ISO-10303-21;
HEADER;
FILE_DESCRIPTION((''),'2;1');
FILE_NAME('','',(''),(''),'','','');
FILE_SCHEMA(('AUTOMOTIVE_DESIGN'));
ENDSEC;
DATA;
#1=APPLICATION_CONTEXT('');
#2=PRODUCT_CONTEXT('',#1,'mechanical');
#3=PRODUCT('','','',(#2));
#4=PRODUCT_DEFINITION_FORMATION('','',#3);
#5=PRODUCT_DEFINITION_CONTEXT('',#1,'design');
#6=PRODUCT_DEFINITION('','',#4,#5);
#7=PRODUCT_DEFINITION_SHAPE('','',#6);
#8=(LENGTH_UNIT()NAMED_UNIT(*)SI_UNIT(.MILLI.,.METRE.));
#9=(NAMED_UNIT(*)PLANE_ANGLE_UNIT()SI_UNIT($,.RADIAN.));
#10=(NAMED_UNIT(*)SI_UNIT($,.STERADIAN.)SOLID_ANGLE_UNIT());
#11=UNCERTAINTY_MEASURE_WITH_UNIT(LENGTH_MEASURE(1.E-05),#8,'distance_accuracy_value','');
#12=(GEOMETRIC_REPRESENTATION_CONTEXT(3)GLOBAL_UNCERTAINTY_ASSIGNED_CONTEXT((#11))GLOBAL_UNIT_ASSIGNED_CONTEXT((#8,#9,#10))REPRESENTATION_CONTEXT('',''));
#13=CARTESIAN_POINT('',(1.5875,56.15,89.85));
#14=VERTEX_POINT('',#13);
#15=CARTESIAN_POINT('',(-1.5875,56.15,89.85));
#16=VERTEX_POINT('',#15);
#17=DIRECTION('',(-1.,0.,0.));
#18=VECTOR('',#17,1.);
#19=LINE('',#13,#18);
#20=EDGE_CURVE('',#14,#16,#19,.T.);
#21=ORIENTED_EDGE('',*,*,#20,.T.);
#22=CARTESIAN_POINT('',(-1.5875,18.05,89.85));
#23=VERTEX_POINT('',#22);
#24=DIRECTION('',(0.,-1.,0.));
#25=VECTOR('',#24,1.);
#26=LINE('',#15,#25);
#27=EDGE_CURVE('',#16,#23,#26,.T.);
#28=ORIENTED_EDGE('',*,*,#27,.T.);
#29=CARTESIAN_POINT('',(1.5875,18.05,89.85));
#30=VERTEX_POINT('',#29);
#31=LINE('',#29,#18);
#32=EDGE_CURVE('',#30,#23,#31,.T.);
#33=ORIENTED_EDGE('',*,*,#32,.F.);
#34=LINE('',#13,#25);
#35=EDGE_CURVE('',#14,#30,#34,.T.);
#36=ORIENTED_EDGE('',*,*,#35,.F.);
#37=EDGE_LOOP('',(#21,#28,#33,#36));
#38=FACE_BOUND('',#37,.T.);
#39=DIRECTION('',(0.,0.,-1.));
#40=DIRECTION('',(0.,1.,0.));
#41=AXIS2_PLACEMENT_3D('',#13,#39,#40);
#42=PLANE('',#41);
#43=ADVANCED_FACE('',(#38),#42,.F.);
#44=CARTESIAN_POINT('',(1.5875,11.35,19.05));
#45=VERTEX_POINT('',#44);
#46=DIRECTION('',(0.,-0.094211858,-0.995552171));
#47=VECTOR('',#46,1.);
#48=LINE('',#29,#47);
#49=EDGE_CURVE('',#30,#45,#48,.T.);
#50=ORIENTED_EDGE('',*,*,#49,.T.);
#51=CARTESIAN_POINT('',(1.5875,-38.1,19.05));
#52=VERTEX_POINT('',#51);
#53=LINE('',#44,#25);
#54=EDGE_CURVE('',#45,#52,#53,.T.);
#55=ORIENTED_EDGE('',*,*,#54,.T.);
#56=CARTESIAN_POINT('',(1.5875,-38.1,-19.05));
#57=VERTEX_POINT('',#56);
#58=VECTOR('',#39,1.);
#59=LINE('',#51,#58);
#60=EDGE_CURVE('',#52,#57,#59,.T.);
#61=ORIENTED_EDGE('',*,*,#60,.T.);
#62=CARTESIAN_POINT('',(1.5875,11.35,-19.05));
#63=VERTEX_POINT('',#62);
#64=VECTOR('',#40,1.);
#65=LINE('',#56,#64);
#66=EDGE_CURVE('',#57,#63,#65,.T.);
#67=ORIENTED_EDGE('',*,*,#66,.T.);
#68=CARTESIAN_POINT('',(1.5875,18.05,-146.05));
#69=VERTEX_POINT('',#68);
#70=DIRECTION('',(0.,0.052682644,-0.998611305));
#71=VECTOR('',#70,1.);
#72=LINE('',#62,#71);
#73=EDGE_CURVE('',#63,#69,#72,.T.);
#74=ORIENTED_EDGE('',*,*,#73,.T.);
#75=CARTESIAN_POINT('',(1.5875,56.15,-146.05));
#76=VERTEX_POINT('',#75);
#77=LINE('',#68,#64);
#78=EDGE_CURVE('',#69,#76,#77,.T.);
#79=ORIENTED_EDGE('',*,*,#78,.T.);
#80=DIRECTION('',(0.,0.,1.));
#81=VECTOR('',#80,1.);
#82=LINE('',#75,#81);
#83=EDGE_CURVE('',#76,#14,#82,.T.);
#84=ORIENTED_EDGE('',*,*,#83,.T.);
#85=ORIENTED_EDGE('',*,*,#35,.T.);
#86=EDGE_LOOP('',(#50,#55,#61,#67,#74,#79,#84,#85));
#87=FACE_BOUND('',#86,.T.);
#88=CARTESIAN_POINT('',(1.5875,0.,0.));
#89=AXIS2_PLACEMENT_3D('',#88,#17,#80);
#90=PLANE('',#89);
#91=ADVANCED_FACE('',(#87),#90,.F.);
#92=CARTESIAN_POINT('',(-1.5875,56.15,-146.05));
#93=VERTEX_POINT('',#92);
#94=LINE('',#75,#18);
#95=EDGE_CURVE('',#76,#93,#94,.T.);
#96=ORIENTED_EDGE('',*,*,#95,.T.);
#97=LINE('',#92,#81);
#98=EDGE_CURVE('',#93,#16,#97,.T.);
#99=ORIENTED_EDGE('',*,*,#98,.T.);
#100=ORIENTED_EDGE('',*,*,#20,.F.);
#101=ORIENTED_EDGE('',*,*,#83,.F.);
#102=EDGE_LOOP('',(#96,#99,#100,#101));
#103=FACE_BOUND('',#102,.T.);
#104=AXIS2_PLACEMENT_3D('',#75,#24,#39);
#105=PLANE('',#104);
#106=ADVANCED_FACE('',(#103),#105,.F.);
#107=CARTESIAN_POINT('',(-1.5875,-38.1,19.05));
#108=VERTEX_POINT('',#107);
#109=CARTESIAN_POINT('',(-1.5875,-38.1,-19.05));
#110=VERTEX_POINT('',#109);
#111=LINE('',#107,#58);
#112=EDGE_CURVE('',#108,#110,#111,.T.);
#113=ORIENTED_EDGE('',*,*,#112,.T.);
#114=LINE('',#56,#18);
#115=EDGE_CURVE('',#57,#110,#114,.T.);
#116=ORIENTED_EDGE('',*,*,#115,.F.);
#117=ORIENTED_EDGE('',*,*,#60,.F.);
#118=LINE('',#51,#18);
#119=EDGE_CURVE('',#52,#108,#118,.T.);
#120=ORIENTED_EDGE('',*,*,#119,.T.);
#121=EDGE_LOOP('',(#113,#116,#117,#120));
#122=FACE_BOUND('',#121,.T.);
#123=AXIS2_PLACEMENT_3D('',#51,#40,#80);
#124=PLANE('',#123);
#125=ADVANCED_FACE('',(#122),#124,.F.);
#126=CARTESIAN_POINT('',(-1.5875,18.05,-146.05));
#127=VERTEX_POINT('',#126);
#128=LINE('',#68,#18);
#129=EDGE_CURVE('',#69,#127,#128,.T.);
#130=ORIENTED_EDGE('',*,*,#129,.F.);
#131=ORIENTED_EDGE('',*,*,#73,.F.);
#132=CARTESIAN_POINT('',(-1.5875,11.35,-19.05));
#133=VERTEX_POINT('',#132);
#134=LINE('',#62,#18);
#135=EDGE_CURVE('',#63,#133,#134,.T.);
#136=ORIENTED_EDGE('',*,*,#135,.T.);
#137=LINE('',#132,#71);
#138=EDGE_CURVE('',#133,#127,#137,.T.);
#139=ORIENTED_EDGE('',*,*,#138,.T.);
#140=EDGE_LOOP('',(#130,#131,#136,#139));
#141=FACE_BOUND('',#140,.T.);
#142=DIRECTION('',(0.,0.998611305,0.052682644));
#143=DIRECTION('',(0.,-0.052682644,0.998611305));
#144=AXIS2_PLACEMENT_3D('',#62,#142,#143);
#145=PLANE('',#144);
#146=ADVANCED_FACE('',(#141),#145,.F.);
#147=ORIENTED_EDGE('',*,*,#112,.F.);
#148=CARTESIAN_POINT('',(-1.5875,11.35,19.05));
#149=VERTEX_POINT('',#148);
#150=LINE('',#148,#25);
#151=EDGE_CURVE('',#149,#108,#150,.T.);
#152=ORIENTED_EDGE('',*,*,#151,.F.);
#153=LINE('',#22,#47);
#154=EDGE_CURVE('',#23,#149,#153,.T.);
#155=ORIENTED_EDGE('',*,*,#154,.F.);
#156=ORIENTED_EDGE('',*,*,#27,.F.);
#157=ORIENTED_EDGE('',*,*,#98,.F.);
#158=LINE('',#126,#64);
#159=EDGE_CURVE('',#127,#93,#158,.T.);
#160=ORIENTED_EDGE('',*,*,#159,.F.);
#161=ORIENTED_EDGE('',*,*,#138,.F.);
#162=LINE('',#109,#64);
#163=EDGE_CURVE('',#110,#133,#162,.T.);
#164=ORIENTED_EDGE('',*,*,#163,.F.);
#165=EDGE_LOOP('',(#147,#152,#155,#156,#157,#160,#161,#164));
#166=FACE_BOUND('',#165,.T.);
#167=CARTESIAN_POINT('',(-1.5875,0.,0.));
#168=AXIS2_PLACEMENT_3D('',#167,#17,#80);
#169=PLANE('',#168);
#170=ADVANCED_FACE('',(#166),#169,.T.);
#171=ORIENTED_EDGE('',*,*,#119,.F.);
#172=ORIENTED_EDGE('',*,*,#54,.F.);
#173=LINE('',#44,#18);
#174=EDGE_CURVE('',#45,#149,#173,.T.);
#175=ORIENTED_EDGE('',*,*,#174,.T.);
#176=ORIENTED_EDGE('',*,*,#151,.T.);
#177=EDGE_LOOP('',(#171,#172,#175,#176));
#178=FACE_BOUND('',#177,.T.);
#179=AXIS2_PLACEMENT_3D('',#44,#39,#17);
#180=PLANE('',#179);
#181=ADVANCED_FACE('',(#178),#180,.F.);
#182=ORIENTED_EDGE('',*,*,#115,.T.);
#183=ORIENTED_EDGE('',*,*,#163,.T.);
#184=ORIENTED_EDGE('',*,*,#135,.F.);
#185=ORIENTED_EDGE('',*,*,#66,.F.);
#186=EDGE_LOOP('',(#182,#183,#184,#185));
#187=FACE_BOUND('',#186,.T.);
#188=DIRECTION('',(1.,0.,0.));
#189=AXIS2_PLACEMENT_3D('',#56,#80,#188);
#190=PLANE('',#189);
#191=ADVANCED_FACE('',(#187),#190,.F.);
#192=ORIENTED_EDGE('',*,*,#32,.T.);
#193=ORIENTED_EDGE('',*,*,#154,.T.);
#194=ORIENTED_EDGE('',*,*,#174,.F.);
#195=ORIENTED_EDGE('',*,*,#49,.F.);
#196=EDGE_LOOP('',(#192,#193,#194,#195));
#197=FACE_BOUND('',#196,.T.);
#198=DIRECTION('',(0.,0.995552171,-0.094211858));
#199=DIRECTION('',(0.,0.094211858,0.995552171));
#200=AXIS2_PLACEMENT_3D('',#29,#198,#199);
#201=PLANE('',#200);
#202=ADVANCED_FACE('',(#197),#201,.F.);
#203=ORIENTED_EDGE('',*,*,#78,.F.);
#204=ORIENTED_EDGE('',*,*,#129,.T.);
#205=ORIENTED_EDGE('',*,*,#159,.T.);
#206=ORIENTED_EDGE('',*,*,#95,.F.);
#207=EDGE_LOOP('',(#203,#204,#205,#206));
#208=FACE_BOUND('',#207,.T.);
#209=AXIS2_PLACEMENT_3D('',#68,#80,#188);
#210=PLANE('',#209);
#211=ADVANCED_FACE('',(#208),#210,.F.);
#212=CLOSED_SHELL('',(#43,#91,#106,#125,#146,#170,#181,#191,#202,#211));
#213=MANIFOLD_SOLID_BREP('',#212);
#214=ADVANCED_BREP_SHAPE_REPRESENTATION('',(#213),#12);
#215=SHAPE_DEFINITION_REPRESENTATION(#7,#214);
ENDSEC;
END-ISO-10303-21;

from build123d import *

# Parameters (mm, degrees)
BOSS_EXTRUDE1_DEPTH = 1.5875


with BuildPart() as part:
    # Sketch2 → Boss-Extrude1 (new body, symmetric)
    with BuildSketch(Plane(origin=(0, 0, 0), x_dir=(0, 0, -1), z_dir=(1, 0, 0))):
        Polygon((-19.05, 11.350000004), (-19.05, -38.1), (19.05, -38.1), (19.05, 11.350000004), (146.05, 18.050000001), (146.05, 56.150000001), (-89.85, 56.150000001), (-89.85, 18.050000001), align=None)
    extrude(amount=BOSS_EXTRUDE1_DEPTH, both=True)


solid = part.part
